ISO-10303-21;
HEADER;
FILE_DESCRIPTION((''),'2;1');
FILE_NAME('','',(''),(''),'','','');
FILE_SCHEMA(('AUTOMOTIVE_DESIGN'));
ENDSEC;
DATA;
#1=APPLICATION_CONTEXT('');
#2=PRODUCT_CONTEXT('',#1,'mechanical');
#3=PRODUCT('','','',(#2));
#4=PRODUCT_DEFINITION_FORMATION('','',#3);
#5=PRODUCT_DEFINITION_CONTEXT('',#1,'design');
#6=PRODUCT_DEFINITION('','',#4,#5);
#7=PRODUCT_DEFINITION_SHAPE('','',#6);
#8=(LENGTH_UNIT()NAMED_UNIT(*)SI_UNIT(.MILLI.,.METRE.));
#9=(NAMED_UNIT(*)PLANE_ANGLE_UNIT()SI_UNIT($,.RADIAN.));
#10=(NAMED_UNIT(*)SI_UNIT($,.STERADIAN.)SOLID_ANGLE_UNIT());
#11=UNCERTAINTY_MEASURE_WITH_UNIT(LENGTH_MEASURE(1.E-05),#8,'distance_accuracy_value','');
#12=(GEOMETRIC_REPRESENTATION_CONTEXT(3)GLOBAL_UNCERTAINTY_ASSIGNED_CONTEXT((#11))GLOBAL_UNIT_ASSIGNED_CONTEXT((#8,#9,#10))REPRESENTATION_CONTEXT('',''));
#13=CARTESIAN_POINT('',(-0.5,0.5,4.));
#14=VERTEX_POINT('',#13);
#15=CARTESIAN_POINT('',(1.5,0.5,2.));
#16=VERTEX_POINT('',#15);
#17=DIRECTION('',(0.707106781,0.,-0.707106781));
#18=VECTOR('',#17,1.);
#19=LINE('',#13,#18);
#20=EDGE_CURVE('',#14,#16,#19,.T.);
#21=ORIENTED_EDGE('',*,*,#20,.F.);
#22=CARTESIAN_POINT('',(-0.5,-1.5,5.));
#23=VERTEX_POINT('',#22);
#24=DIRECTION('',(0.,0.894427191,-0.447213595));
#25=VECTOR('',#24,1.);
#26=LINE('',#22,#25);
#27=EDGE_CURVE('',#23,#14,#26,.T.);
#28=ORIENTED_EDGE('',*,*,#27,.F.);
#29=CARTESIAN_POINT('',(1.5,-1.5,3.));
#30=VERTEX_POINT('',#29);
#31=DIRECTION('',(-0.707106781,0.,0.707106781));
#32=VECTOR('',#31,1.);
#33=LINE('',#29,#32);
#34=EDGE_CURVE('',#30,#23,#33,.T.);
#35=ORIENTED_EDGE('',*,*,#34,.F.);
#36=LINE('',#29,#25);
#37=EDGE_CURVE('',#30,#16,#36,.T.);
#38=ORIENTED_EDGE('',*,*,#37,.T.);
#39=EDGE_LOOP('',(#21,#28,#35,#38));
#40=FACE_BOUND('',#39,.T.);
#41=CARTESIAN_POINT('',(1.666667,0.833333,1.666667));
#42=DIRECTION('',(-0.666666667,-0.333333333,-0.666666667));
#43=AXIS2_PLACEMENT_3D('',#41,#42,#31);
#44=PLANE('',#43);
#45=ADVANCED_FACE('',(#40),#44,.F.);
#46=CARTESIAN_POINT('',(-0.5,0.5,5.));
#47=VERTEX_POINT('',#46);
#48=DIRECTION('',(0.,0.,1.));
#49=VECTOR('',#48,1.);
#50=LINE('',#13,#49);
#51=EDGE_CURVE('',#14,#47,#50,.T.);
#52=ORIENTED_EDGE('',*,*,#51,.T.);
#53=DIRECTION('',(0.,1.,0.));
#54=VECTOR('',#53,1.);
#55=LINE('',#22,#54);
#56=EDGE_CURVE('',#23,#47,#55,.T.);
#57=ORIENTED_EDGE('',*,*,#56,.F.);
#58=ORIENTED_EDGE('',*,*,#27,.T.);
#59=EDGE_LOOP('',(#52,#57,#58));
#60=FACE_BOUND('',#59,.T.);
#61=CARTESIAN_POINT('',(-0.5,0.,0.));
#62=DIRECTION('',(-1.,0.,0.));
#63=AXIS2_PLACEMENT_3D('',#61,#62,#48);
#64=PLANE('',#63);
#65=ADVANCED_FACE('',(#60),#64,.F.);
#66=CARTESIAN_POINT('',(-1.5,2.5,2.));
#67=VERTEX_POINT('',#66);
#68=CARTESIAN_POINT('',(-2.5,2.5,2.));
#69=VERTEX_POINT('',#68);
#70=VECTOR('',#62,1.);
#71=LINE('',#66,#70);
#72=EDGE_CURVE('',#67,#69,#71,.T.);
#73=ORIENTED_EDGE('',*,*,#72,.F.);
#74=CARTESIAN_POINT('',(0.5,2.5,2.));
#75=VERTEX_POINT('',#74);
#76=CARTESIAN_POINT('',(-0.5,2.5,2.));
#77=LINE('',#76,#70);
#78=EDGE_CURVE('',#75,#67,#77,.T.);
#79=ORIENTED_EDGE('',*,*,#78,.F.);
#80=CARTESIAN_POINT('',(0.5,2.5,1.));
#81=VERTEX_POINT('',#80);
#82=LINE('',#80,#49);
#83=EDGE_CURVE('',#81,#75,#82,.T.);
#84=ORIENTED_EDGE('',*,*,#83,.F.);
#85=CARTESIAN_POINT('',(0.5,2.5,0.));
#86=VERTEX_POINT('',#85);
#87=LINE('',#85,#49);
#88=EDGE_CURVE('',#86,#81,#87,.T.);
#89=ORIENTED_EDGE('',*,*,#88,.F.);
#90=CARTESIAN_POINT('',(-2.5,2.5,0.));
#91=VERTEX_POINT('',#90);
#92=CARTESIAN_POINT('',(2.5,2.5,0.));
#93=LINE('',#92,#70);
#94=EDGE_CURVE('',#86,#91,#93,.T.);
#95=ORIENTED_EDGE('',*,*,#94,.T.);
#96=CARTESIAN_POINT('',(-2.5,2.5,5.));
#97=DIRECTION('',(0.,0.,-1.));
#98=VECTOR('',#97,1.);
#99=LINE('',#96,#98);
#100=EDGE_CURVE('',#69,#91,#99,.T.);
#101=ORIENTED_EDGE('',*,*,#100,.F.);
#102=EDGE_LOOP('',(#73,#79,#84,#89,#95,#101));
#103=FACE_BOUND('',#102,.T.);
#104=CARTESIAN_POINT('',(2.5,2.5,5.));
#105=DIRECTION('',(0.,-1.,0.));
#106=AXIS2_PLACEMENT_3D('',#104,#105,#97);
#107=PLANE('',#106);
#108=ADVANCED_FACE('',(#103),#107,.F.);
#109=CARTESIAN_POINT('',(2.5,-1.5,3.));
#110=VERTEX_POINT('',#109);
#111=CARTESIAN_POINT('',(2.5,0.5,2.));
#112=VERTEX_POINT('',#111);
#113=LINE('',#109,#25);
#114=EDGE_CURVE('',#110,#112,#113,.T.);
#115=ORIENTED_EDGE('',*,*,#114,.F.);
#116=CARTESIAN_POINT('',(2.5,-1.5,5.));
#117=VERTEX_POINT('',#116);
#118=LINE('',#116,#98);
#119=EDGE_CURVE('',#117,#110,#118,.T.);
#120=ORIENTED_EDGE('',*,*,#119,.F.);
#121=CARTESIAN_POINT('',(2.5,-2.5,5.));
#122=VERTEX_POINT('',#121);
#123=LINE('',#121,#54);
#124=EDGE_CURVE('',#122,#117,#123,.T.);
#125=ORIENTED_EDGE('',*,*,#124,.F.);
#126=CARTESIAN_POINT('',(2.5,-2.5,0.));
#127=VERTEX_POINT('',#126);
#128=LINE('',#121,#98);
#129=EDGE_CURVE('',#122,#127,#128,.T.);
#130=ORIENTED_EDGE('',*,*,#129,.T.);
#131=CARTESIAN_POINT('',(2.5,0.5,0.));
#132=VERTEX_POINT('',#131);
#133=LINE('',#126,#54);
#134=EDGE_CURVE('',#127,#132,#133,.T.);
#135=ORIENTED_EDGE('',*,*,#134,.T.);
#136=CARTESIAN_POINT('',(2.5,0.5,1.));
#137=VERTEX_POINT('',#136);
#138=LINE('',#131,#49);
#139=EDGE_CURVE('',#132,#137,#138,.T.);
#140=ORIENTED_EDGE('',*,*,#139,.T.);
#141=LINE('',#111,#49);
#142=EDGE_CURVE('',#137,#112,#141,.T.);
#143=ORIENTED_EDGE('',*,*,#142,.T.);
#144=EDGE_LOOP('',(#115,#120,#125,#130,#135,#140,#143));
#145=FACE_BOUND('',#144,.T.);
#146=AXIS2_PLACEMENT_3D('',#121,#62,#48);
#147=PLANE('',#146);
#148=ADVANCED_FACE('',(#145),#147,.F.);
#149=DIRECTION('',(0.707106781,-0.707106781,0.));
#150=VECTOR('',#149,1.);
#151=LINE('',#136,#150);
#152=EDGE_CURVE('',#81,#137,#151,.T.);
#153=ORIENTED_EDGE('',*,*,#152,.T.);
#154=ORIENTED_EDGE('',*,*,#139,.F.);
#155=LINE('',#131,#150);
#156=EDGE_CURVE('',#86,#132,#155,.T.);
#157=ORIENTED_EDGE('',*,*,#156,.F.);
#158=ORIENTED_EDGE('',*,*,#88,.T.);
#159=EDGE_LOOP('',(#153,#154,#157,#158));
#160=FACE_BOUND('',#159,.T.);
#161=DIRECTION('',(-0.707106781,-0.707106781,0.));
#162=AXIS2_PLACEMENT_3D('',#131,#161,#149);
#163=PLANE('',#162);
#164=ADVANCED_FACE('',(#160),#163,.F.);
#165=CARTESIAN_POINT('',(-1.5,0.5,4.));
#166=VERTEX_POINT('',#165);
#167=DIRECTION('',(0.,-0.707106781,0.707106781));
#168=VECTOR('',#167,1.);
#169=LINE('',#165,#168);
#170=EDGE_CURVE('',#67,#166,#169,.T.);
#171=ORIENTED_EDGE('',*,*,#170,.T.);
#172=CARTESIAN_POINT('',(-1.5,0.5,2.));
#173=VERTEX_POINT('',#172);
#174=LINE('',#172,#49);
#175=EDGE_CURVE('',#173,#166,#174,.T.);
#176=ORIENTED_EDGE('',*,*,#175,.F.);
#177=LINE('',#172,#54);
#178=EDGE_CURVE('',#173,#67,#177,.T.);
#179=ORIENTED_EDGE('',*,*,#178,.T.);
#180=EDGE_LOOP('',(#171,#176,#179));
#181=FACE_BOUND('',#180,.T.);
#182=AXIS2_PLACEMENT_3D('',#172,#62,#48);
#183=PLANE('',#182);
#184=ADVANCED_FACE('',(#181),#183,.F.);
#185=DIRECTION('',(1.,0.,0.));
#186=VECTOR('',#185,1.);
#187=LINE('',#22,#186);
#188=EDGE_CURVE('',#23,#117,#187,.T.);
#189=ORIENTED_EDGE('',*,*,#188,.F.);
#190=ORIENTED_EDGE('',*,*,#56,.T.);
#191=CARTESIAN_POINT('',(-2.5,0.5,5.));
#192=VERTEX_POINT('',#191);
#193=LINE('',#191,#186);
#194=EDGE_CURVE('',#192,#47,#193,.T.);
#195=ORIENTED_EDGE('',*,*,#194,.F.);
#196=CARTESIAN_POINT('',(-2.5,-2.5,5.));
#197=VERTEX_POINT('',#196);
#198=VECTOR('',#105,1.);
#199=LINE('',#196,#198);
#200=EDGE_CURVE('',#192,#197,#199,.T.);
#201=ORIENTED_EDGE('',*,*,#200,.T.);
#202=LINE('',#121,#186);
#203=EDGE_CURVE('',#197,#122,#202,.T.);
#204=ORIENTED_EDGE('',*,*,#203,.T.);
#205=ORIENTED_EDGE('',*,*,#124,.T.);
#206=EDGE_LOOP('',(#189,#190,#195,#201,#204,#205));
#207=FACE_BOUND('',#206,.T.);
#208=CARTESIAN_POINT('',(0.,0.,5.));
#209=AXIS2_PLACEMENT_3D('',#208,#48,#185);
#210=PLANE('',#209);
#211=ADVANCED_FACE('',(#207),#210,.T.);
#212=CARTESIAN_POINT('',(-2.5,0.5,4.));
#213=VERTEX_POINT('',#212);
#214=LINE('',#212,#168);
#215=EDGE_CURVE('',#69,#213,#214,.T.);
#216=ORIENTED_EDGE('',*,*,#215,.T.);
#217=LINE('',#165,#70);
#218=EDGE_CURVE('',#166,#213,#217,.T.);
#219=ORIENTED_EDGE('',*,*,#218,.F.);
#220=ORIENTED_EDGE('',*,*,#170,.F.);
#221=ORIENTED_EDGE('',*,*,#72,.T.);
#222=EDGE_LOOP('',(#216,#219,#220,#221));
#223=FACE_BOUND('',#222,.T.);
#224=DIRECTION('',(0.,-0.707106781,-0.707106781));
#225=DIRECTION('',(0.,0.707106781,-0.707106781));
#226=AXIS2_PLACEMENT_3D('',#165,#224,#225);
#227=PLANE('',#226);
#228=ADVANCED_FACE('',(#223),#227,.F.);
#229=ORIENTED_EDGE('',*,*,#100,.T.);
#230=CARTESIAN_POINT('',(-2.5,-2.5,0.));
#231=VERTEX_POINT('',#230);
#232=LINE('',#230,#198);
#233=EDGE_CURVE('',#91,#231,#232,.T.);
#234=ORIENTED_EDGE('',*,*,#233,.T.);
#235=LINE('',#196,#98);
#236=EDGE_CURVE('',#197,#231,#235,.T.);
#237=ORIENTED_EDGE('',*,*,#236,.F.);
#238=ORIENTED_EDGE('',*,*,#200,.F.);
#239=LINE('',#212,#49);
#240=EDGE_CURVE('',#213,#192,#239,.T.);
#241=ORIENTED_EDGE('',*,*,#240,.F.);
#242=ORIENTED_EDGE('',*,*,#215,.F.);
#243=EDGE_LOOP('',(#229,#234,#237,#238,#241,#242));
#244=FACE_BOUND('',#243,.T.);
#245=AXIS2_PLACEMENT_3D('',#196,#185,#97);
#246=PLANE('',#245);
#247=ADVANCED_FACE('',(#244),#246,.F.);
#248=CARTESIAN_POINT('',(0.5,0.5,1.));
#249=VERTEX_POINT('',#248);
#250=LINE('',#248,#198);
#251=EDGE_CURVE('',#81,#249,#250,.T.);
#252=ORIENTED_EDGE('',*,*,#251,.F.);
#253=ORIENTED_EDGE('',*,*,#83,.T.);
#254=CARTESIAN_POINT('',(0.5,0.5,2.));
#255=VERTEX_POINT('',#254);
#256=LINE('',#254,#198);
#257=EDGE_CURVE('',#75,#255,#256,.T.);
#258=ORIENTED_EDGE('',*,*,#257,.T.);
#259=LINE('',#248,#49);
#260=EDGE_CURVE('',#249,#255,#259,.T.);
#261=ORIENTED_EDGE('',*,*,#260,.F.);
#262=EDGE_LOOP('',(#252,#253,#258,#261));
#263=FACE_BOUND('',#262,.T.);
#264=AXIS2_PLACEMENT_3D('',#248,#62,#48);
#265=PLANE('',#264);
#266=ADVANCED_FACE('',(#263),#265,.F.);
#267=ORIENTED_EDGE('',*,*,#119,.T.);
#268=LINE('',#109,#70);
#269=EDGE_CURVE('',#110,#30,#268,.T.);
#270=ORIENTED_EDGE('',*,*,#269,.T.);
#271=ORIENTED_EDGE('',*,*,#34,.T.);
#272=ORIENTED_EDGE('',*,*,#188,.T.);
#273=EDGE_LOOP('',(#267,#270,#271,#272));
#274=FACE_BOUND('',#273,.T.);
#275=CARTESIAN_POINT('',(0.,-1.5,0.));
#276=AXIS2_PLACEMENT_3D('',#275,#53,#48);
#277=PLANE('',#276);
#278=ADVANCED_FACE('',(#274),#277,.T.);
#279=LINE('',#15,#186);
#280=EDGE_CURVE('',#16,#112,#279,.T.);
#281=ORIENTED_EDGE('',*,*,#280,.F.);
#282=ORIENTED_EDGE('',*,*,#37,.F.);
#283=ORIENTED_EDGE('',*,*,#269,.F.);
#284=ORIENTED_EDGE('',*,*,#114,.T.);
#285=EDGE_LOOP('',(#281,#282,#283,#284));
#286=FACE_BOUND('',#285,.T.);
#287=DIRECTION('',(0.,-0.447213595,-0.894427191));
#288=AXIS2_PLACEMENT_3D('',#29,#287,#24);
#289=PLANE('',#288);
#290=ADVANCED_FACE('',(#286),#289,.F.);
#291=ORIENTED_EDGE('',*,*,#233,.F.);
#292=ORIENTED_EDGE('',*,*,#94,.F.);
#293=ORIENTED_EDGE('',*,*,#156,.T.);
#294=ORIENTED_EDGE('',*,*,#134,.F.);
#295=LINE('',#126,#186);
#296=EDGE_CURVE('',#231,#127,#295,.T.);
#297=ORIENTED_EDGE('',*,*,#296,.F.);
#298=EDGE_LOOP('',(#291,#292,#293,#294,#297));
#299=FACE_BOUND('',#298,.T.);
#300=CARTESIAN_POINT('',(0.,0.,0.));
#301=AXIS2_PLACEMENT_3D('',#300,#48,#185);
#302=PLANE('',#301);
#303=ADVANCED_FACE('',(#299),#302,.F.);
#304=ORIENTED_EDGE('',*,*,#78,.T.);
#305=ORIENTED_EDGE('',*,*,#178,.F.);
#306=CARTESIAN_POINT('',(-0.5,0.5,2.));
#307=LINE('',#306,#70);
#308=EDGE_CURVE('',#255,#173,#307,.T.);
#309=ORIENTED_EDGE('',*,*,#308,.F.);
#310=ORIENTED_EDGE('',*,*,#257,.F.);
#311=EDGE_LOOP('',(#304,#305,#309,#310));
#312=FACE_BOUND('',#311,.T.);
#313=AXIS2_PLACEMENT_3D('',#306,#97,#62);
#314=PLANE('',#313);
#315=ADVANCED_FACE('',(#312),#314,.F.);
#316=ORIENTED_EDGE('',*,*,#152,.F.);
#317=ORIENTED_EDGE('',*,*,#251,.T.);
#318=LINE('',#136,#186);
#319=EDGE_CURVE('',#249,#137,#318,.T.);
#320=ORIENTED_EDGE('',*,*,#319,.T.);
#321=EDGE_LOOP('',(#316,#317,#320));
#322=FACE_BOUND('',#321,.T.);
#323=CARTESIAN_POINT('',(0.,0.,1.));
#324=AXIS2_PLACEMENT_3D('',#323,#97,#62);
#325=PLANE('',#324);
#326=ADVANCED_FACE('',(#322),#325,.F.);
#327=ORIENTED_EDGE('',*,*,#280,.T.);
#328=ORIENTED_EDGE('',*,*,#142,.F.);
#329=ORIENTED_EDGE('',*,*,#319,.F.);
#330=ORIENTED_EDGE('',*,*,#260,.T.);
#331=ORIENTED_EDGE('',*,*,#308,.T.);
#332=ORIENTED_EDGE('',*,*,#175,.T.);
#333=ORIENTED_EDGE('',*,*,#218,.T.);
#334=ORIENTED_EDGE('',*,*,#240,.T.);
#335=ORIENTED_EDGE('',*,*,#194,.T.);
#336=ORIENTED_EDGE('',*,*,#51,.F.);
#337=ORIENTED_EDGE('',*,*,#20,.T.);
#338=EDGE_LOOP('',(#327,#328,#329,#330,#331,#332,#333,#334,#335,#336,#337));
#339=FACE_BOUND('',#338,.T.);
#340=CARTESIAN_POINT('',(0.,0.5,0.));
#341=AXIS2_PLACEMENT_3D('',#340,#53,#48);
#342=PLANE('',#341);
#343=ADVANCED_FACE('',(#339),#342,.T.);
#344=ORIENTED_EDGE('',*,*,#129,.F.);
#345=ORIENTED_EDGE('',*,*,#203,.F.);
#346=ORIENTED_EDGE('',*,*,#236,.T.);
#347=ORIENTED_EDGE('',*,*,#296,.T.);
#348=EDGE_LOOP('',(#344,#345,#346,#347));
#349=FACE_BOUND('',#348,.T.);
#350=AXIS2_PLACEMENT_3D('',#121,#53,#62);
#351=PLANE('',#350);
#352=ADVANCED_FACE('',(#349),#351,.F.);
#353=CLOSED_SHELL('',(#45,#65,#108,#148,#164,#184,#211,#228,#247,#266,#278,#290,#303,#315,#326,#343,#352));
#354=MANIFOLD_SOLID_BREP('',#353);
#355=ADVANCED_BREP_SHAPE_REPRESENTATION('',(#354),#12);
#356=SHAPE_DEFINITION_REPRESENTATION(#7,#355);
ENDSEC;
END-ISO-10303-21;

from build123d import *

# Parameters (mm, degrees)
SKETCH1_W           = 5
SKETCH1_H           = 5
BOSS_EXTRUDE1_DEPTH = 5
CUT_EXTRUDE1_DEPTH  = 2
CUT_EXTRUDE2_DEPTH  = 1
SKETCH4_W           = 3
SKETCH4_H           = 2
CUT_EXTRUDE3_DEPTH  = 3
SKETCH5_W           = 2
SKETCH5_H           = 2
CUT_EXTRUDE4_DEPTH  = 1
CUT_EXTRUDE5_DEPTH  = 1
CUT_EXTRUDE6_DEPTH  = 2
CUT_EXTRUDE7_DEPTH  = 1
CUT_EXTRUDE8_DEPTH  = 3
CUT_EXTRUDE9_DEPTH  = 3


with BuildPart() as part:
    # Sketch1 → Boss-Extrude1 (new body)
    with BuildSketch(Plane.XY):
        Rectangle(SKETCH1_W, SKETCH1_H)
    extrude(amount=BOSS_EXTRUDE1_DEPTH)

    # Sketch2 → Cut-Extrude1 (cut)
    with BuildSketch(Plane(origin=(0, 2.5, 0), x_dir=(1, 0, 0), z_dir=(0, 1, 0))):
        Polygon((-2.5, -5), (-0.5, -5), (-0.5, -2), (-1.5, -2), (-1.5, -4), (-2.5, -4), align=None)
    extrude(amount=-CUT_EXTRUDE1_DEPTH, mode=Mode.SUBTRACT)

    # Sketch3 → Cut-Extrude2 (cut)
    with BuildSketch(Plane.ZY.offset(2.5)):
        Polygon((4, 0.5), (2, 2.5), (4, 2.5), align=None)
    extrude(amount=-CUT_EXTRUDE2_DEPTH, mode=Mode.SUBTRACT)

    # Sketch4 → Cut-Extrude3 (cut)
    with BuildSketch(Plane.XY.offset(5)):
        with Locations((1, 1.5)):
            Rectangle(SKETCH4_W, SKETCH4_H)
    extrude(amount=-CUT_EXTRUDE3_DEPTH, mode=Mode.SUBTRACT)

    # Sketch5 → Cut-Extrude4 (cut)
    with BuildSketch(Plane.XY.offset(2)):
        with Locations((1.5, 1.5)):
            Rectangle(SKETCH5_W, SKETCH5_H)
    extrude(amount=-CUT_EXTRUDE4_DEPTH, mode=Mode.SUBTRACT)

    # Sketch6 → Cut-Extrude5 (cut)
    with BuildSketch(Plane.XY.offset(1)):
        Polygon((2.5, 0.5), (0.5, 2.5), (2.5, 2.5), align=None)
    extrude(amount=-CUT_EXTRUDE5_DEPTH, mode=Mode.SUBTRACT)

    # Sketch7 → Cut-Extrude6 (cut)
    with BuildSketch(Plane(origin=(0, 0.5, 0), x_dir=(1, 0, 0), z_dir=(0, 1, 0))):
        Polygon((2.5, -5), (2.5, -3), (1.5, -3), (-0.5, -5), align=None)
    extrude(amount=-CUT_EXTRUDE6_DEPTH, mode=Mode.SUBTRACT)

    # Sketch8 → Cut-Extrude7 (cut)
    with BuildSketch(Plane(origin=(2.5, 0, 0), x_dir=(0, 0, -1), z_dir=(1, 0, 0))):
        Polygon((-3, -1.5), (-2, 0.5), (-3, 0.5), align=None)
    extrude(amount=-CUT_EXTRUDE7_DEPTH, mode=Mode.SUBTRACT)

    # Sketch9 → Cut-Extrude8 (cut)
    with BuildSketch(Plane(origin=(2.5, 0, 0), x_dir=(0, 0, -1), z_dir=(1, 0, 0))):
        Polygon((-5, -1.5), (-4, 0.5), (-5, 0.5), align=None)
    extrude(amount=-CUT_EXTRUDE8_DEPTH, mode=Mode.SUBTRACT)

    # Sketch11 → Cut-Extrude9 (cut)
    with BuildSketch(Plane(origin=(1.666666667, 0.833333333, 1.666666667), x_dir=(-0.745355992, 0.298142397, 0.596284794), z_dir=(-0.666666667, -0.333333333, -0.666666667))):
        Polygon((2.906888371, -1.341640786), (0.223606798, -0.447213595), (0.223606798, -2.683281573), (2.906888371, -3.577708764), align=None)
    extrude(amount=-CUT_EXTRUDE9_DEPTH, mode=Mode.SUBTRACT)


solid = part.part
